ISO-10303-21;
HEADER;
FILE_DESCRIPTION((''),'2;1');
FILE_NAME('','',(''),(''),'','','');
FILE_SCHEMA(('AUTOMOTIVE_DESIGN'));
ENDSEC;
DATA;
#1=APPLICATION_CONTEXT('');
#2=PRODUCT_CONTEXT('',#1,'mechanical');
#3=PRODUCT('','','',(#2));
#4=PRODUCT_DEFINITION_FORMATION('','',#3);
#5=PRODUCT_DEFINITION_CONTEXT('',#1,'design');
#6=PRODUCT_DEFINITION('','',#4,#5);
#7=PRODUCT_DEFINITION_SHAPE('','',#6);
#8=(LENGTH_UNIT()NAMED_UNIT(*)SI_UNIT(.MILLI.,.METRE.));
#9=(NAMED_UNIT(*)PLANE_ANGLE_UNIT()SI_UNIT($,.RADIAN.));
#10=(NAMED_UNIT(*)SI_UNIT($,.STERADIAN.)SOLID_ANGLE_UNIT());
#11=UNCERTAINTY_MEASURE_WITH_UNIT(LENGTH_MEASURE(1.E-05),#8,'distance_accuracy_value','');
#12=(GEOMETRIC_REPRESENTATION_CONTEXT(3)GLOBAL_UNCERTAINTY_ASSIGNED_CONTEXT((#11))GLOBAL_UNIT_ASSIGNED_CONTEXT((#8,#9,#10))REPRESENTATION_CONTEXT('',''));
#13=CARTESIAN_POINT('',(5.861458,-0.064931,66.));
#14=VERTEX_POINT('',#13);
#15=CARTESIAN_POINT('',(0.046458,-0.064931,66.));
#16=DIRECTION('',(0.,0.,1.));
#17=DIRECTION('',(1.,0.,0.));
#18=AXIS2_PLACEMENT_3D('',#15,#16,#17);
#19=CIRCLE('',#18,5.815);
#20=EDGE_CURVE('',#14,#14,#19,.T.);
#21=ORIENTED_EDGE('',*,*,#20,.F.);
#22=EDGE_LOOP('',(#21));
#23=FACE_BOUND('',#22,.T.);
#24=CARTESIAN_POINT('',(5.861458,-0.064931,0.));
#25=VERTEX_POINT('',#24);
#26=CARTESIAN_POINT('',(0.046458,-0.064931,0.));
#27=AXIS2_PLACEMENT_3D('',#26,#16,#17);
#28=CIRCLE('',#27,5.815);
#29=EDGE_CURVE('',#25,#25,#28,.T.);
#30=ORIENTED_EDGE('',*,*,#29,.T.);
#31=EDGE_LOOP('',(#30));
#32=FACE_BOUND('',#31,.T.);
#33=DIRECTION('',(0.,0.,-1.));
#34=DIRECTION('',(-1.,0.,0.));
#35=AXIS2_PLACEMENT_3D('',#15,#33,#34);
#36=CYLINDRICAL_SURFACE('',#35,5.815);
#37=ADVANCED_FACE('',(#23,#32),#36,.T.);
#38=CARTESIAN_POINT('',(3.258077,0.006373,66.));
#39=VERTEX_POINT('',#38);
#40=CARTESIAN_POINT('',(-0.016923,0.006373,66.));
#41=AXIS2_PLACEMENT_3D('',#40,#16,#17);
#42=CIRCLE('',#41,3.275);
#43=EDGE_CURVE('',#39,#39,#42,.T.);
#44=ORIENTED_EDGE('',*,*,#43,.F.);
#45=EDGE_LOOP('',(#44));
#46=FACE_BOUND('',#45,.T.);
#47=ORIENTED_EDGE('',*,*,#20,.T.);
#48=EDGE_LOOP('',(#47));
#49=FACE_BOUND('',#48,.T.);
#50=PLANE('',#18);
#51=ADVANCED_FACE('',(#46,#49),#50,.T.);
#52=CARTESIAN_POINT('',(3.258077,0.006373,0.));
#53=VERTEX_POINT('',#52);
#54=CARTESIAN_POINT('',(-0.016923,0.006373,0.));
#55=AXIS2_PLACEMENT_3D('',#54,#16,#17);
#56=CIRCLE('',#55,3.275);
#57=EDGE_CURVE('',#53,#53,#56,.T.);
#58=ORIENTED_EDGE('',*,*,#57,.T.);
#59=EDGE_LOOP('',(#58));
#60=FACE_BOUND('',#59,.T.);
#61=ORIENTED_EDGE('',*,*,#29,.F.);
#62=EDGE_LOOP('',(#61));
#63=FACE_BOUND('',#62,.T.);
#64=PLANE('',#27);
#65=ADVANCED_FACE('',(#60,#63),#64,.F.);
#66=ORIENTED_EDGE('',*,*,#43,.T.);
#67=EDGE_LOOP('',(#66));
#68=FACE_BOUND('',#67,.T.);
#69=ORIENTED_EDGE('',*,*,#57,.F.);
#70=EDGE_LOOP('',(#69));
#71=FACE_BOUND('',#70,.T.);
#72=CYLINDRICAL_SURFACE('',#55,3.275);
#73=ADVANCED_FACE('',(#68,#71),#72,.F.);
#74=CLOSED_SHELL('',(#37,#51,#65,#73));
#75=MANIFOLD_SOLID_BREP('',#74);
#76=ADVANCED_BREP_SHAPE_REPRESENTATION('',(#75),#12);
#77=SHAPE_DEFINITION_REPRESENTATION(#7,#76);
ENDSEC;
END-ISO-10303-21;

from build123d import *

# Parameters (mm, degrees)
SKETCH_1_R          = 5.815
EXTRUDE_2_DEPTH     = 66
SKETCH_5_R          = 3.275
CUT_EXTRUDE_3_DEPTH = 67


with BuildPart() as part:
    # 草图1 → 凸台-拉伸2 (new body)
    with BuildSketch(Plane.XY):
        with Locations((0.046458344, -0.064930956)):
            Circle(SKETCH_1_R)
    extrude(amount=EXTRUDE_2_DEPTH)

    # 草图5 → 切除-拉伸3 (cut, through all)
    with BuildSketch(Plane.XY.offset(66)):
        with Locations((-0.01692302, 0.006373079)):
            Circle(SKETCH_5_R)
    extrude(amount=-CUT_EXTRUDE_3_DEPTH, mode=Mode.SUBTRACT)


solid = part.part
